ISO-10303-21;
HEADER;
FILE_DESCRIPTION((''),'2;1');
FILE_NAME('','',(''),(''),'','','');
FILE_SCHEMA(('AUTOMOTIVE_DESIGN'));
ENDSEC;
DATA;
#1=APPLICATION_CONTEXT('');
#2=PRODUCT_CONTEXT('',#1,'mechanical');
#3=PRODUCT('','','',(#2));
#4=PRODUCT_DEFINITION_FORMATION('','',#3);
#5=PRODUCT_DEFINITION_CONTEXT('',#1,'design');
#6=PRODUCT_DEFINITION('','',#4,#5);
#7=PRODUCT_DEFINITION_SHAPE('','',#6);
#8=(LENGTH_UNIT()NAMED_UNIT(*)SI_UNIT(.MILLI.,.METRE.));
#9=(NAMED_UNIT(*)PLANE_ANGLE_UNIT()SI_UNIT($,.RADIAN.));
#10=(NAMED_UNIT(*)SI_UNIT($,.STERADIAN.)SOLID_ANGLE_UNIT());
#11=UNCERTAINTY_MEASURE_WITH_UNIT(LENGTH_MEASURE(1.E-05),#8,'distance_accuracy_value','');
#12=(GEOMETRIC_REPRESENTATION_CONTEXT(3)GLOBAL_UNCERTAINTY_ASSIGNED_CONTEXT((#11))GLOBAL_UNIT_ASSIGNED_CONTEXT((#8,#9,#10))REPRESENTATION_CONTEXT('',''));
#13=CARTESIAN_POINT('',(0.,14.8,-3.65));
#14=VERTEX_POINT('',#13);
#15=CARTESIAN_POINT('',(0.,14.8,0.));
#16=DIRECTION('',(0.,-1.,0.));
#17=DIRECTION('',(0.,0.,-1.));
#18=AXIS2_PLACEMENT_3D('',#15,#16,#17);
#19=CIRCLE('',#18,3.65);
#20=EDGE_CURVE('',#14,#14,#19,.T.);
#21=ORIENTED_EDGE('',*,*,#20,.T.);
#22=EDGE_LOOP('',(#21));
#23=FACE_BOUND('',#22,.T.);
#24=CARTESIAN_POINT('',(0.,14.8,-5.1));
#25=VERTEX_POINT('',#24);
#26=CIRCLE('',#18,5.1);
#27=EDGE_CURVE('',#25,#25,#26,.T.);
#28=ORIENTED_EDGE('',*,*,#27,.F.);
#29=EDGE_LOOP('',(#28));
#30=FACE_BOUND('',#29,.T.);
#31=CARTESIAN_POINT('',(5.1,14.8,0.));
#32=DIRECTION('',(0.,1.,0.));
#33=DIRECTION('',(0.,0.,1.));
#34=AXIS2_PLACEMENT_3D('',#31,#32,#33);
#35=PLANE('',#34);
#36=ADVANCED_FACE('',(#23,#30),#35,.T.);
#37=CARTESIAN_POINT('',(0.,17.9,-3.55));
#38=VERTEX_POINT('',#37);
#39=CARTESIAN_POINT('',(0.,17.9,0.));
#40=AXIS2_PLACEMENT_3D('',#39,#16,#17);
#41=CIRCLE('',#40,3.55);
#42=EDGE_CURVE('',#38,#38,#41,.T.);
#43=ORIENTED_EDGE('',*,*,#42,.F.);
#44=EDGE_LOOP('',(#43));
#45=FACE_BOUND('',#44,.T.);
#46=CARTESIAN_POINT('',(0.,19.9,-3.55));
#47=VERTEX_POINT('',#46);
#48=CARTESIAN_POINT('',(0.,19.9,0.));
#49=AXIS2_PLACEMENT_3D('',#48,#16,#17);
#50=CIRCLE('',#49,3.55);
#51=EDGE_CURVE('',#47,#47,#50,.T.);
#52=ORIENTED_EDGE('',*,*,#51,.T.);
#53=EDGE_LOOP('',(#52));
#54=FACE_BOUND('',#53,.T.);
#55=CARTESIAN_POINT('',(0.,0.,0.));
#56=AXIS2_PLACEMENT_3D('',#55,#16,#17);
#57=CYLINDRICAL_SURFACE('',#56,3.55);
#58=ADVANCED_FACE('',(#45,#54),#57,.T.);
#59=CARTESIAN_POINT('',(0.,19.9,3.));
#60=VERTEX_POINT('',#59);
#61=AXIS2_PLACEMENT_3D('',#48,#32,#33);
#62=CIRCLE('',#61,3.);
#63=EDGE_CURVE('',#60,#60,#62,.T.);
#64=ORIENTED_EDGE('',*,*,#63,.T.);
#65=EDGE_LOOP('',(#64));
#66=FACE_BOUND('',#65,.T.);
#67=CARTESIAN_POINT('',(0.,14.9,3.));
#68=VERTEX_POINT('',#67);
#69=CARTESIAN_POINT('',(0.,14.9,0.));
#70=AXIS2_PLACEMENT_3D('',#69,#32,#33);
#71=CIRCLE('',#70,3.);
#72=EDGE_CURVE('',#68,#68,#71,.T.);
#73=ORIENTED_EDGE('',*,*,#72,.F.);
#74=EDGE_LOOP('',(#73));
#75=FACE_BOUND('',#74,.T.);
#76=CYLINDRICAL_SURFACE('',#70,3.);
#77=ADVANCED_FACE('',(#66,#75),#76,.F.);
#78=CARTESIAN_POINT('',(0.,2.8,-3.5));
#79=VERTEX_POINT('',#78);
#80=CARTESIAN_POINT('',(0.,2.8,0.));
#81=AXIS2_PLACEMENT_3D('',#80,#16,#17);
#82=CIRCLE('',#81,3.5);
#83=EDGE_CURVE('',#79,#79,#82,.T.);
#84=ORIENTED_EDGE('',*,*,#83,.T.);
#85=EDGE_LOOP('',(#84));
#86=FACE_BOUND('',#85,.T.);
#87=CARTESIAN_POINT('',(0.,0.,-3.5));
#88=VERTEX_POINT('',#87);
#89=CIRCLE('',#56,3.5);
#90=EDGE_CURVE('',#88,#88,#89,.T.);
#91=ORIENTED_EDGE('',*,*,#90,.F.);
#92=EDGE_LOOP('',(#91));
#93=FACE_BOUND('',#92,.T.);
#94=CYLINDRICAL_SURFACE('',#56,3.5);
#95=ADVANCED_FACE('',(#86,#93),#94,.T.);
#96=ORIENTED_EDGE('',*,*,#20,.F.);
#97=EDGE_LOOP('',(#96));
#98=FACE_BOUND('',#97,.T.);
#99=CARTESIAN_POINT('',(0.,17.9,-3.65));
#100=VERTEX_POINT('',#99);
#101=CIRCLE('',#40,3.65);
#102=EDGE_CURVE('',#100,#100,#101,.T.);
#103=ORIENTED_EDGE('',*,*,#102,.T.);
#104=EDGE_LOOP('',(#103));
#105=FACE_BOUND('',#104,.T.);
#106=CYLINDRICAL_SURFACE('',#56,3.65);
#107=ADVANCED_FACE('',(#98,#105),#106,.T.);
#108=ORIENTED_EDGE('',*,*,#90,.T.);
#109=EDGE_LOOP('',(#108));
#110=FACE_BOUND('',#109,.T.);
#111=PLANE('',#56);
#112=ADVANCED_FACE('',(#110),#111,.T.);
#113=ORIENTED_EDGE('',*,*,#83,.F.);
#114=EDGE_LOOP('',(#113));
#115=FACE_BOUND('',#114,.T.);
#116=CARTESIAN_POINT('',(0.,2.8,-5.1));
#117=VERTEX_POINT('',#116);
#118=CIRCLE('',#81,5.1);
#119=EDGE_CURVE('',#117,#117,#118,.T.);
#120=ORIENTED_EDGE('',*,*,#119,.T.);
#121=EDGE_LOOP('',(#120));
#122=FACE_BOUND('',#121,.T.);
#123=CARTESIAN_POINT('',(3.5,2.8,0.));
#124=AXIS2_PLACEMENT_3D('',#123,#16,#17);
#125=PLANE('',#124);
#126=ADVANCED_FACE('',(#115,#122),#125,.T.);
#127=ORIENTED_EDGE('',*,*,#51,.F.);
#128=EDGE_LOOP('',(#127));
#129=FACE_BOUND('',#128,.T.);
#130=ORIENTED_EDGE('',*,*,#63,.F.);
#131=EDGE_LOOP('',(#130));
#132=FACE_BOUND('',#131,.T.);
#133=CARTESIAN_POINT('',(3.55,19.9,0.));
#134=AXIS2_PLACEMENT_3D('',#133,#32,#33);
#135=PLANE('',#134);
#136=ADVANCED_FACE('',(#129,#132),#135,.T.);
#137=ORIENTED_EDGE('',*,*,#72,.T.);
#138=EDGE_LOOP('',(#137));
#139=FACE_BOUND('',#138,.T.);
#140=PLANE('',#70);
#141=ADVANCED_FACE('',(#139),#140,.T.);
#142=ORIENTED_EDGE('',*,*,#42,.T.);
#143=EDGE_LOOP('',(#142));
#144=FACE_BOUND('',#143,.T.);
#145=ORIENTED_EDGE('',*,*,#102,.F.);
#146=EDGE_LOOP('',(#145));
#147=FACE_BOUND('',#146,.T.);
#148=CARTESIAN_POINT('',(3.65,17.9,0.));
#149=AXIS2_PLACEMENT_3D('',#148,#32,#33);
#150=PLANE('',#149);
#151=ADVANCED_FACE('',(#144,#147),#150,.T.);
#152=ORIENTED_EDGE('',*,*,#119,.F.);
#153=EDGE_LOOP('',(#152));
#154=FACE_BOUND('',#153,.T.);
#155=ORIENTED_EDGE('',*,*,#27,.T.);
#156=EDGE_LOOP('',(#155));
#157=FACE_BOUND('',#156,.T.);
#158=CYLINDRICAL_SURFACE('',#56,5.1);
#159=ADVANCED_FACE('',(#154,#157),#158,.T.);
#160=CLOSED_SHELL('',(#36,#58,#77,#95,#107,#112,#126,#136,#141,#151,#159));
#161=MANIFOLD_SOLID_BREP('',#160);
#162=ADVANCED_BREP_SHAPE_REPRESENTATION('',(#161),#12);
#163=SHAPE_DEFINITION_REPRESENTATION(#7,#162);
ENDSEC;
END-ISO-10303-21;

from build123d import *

# Parameters (mm, degrees)
SKETCH3_R          = 3
CUT_EXTRUDE1_DEPTH = 5


with BuildPart() as part:
    # Sketch1 → Revolve1 (revolve)
    with BuildSketch(Plane.XY, mode=Mode.PRIVATE) as revolve1_sk:
        Polygon((0, 0), (3.5, 0), (3.5, 2.8), (5.1, 2.8), (5.1, 14.8), (3.65, 14.8), (3.65, 17.9), (3.55, 17.9), (3.55, 19.9), (0, 19.9), align=None)
    revolve(revolve1_sk.sketch.rotate(Axis((0, 0, 0), (0, 1, 0)), 90), axis=Axis((0, 0, 0), (0, 1, 0)))

    # Sketch3 → Cut-Extrude1 (cut)
    with BuildSketch(Plane(origin=(0, 19.9, 0), x_dir=(1, 0, 0), z_dir=(0, 1, 0))):
        with Locations(Location((0, 0, 0), (0, 0, 270))):
            Circle(SKETCH3_R)
    extrude(amount=-CUT_EXTRUDE1_DEPTH, mode=Mode.SUBTRACT)


solid = part.part
